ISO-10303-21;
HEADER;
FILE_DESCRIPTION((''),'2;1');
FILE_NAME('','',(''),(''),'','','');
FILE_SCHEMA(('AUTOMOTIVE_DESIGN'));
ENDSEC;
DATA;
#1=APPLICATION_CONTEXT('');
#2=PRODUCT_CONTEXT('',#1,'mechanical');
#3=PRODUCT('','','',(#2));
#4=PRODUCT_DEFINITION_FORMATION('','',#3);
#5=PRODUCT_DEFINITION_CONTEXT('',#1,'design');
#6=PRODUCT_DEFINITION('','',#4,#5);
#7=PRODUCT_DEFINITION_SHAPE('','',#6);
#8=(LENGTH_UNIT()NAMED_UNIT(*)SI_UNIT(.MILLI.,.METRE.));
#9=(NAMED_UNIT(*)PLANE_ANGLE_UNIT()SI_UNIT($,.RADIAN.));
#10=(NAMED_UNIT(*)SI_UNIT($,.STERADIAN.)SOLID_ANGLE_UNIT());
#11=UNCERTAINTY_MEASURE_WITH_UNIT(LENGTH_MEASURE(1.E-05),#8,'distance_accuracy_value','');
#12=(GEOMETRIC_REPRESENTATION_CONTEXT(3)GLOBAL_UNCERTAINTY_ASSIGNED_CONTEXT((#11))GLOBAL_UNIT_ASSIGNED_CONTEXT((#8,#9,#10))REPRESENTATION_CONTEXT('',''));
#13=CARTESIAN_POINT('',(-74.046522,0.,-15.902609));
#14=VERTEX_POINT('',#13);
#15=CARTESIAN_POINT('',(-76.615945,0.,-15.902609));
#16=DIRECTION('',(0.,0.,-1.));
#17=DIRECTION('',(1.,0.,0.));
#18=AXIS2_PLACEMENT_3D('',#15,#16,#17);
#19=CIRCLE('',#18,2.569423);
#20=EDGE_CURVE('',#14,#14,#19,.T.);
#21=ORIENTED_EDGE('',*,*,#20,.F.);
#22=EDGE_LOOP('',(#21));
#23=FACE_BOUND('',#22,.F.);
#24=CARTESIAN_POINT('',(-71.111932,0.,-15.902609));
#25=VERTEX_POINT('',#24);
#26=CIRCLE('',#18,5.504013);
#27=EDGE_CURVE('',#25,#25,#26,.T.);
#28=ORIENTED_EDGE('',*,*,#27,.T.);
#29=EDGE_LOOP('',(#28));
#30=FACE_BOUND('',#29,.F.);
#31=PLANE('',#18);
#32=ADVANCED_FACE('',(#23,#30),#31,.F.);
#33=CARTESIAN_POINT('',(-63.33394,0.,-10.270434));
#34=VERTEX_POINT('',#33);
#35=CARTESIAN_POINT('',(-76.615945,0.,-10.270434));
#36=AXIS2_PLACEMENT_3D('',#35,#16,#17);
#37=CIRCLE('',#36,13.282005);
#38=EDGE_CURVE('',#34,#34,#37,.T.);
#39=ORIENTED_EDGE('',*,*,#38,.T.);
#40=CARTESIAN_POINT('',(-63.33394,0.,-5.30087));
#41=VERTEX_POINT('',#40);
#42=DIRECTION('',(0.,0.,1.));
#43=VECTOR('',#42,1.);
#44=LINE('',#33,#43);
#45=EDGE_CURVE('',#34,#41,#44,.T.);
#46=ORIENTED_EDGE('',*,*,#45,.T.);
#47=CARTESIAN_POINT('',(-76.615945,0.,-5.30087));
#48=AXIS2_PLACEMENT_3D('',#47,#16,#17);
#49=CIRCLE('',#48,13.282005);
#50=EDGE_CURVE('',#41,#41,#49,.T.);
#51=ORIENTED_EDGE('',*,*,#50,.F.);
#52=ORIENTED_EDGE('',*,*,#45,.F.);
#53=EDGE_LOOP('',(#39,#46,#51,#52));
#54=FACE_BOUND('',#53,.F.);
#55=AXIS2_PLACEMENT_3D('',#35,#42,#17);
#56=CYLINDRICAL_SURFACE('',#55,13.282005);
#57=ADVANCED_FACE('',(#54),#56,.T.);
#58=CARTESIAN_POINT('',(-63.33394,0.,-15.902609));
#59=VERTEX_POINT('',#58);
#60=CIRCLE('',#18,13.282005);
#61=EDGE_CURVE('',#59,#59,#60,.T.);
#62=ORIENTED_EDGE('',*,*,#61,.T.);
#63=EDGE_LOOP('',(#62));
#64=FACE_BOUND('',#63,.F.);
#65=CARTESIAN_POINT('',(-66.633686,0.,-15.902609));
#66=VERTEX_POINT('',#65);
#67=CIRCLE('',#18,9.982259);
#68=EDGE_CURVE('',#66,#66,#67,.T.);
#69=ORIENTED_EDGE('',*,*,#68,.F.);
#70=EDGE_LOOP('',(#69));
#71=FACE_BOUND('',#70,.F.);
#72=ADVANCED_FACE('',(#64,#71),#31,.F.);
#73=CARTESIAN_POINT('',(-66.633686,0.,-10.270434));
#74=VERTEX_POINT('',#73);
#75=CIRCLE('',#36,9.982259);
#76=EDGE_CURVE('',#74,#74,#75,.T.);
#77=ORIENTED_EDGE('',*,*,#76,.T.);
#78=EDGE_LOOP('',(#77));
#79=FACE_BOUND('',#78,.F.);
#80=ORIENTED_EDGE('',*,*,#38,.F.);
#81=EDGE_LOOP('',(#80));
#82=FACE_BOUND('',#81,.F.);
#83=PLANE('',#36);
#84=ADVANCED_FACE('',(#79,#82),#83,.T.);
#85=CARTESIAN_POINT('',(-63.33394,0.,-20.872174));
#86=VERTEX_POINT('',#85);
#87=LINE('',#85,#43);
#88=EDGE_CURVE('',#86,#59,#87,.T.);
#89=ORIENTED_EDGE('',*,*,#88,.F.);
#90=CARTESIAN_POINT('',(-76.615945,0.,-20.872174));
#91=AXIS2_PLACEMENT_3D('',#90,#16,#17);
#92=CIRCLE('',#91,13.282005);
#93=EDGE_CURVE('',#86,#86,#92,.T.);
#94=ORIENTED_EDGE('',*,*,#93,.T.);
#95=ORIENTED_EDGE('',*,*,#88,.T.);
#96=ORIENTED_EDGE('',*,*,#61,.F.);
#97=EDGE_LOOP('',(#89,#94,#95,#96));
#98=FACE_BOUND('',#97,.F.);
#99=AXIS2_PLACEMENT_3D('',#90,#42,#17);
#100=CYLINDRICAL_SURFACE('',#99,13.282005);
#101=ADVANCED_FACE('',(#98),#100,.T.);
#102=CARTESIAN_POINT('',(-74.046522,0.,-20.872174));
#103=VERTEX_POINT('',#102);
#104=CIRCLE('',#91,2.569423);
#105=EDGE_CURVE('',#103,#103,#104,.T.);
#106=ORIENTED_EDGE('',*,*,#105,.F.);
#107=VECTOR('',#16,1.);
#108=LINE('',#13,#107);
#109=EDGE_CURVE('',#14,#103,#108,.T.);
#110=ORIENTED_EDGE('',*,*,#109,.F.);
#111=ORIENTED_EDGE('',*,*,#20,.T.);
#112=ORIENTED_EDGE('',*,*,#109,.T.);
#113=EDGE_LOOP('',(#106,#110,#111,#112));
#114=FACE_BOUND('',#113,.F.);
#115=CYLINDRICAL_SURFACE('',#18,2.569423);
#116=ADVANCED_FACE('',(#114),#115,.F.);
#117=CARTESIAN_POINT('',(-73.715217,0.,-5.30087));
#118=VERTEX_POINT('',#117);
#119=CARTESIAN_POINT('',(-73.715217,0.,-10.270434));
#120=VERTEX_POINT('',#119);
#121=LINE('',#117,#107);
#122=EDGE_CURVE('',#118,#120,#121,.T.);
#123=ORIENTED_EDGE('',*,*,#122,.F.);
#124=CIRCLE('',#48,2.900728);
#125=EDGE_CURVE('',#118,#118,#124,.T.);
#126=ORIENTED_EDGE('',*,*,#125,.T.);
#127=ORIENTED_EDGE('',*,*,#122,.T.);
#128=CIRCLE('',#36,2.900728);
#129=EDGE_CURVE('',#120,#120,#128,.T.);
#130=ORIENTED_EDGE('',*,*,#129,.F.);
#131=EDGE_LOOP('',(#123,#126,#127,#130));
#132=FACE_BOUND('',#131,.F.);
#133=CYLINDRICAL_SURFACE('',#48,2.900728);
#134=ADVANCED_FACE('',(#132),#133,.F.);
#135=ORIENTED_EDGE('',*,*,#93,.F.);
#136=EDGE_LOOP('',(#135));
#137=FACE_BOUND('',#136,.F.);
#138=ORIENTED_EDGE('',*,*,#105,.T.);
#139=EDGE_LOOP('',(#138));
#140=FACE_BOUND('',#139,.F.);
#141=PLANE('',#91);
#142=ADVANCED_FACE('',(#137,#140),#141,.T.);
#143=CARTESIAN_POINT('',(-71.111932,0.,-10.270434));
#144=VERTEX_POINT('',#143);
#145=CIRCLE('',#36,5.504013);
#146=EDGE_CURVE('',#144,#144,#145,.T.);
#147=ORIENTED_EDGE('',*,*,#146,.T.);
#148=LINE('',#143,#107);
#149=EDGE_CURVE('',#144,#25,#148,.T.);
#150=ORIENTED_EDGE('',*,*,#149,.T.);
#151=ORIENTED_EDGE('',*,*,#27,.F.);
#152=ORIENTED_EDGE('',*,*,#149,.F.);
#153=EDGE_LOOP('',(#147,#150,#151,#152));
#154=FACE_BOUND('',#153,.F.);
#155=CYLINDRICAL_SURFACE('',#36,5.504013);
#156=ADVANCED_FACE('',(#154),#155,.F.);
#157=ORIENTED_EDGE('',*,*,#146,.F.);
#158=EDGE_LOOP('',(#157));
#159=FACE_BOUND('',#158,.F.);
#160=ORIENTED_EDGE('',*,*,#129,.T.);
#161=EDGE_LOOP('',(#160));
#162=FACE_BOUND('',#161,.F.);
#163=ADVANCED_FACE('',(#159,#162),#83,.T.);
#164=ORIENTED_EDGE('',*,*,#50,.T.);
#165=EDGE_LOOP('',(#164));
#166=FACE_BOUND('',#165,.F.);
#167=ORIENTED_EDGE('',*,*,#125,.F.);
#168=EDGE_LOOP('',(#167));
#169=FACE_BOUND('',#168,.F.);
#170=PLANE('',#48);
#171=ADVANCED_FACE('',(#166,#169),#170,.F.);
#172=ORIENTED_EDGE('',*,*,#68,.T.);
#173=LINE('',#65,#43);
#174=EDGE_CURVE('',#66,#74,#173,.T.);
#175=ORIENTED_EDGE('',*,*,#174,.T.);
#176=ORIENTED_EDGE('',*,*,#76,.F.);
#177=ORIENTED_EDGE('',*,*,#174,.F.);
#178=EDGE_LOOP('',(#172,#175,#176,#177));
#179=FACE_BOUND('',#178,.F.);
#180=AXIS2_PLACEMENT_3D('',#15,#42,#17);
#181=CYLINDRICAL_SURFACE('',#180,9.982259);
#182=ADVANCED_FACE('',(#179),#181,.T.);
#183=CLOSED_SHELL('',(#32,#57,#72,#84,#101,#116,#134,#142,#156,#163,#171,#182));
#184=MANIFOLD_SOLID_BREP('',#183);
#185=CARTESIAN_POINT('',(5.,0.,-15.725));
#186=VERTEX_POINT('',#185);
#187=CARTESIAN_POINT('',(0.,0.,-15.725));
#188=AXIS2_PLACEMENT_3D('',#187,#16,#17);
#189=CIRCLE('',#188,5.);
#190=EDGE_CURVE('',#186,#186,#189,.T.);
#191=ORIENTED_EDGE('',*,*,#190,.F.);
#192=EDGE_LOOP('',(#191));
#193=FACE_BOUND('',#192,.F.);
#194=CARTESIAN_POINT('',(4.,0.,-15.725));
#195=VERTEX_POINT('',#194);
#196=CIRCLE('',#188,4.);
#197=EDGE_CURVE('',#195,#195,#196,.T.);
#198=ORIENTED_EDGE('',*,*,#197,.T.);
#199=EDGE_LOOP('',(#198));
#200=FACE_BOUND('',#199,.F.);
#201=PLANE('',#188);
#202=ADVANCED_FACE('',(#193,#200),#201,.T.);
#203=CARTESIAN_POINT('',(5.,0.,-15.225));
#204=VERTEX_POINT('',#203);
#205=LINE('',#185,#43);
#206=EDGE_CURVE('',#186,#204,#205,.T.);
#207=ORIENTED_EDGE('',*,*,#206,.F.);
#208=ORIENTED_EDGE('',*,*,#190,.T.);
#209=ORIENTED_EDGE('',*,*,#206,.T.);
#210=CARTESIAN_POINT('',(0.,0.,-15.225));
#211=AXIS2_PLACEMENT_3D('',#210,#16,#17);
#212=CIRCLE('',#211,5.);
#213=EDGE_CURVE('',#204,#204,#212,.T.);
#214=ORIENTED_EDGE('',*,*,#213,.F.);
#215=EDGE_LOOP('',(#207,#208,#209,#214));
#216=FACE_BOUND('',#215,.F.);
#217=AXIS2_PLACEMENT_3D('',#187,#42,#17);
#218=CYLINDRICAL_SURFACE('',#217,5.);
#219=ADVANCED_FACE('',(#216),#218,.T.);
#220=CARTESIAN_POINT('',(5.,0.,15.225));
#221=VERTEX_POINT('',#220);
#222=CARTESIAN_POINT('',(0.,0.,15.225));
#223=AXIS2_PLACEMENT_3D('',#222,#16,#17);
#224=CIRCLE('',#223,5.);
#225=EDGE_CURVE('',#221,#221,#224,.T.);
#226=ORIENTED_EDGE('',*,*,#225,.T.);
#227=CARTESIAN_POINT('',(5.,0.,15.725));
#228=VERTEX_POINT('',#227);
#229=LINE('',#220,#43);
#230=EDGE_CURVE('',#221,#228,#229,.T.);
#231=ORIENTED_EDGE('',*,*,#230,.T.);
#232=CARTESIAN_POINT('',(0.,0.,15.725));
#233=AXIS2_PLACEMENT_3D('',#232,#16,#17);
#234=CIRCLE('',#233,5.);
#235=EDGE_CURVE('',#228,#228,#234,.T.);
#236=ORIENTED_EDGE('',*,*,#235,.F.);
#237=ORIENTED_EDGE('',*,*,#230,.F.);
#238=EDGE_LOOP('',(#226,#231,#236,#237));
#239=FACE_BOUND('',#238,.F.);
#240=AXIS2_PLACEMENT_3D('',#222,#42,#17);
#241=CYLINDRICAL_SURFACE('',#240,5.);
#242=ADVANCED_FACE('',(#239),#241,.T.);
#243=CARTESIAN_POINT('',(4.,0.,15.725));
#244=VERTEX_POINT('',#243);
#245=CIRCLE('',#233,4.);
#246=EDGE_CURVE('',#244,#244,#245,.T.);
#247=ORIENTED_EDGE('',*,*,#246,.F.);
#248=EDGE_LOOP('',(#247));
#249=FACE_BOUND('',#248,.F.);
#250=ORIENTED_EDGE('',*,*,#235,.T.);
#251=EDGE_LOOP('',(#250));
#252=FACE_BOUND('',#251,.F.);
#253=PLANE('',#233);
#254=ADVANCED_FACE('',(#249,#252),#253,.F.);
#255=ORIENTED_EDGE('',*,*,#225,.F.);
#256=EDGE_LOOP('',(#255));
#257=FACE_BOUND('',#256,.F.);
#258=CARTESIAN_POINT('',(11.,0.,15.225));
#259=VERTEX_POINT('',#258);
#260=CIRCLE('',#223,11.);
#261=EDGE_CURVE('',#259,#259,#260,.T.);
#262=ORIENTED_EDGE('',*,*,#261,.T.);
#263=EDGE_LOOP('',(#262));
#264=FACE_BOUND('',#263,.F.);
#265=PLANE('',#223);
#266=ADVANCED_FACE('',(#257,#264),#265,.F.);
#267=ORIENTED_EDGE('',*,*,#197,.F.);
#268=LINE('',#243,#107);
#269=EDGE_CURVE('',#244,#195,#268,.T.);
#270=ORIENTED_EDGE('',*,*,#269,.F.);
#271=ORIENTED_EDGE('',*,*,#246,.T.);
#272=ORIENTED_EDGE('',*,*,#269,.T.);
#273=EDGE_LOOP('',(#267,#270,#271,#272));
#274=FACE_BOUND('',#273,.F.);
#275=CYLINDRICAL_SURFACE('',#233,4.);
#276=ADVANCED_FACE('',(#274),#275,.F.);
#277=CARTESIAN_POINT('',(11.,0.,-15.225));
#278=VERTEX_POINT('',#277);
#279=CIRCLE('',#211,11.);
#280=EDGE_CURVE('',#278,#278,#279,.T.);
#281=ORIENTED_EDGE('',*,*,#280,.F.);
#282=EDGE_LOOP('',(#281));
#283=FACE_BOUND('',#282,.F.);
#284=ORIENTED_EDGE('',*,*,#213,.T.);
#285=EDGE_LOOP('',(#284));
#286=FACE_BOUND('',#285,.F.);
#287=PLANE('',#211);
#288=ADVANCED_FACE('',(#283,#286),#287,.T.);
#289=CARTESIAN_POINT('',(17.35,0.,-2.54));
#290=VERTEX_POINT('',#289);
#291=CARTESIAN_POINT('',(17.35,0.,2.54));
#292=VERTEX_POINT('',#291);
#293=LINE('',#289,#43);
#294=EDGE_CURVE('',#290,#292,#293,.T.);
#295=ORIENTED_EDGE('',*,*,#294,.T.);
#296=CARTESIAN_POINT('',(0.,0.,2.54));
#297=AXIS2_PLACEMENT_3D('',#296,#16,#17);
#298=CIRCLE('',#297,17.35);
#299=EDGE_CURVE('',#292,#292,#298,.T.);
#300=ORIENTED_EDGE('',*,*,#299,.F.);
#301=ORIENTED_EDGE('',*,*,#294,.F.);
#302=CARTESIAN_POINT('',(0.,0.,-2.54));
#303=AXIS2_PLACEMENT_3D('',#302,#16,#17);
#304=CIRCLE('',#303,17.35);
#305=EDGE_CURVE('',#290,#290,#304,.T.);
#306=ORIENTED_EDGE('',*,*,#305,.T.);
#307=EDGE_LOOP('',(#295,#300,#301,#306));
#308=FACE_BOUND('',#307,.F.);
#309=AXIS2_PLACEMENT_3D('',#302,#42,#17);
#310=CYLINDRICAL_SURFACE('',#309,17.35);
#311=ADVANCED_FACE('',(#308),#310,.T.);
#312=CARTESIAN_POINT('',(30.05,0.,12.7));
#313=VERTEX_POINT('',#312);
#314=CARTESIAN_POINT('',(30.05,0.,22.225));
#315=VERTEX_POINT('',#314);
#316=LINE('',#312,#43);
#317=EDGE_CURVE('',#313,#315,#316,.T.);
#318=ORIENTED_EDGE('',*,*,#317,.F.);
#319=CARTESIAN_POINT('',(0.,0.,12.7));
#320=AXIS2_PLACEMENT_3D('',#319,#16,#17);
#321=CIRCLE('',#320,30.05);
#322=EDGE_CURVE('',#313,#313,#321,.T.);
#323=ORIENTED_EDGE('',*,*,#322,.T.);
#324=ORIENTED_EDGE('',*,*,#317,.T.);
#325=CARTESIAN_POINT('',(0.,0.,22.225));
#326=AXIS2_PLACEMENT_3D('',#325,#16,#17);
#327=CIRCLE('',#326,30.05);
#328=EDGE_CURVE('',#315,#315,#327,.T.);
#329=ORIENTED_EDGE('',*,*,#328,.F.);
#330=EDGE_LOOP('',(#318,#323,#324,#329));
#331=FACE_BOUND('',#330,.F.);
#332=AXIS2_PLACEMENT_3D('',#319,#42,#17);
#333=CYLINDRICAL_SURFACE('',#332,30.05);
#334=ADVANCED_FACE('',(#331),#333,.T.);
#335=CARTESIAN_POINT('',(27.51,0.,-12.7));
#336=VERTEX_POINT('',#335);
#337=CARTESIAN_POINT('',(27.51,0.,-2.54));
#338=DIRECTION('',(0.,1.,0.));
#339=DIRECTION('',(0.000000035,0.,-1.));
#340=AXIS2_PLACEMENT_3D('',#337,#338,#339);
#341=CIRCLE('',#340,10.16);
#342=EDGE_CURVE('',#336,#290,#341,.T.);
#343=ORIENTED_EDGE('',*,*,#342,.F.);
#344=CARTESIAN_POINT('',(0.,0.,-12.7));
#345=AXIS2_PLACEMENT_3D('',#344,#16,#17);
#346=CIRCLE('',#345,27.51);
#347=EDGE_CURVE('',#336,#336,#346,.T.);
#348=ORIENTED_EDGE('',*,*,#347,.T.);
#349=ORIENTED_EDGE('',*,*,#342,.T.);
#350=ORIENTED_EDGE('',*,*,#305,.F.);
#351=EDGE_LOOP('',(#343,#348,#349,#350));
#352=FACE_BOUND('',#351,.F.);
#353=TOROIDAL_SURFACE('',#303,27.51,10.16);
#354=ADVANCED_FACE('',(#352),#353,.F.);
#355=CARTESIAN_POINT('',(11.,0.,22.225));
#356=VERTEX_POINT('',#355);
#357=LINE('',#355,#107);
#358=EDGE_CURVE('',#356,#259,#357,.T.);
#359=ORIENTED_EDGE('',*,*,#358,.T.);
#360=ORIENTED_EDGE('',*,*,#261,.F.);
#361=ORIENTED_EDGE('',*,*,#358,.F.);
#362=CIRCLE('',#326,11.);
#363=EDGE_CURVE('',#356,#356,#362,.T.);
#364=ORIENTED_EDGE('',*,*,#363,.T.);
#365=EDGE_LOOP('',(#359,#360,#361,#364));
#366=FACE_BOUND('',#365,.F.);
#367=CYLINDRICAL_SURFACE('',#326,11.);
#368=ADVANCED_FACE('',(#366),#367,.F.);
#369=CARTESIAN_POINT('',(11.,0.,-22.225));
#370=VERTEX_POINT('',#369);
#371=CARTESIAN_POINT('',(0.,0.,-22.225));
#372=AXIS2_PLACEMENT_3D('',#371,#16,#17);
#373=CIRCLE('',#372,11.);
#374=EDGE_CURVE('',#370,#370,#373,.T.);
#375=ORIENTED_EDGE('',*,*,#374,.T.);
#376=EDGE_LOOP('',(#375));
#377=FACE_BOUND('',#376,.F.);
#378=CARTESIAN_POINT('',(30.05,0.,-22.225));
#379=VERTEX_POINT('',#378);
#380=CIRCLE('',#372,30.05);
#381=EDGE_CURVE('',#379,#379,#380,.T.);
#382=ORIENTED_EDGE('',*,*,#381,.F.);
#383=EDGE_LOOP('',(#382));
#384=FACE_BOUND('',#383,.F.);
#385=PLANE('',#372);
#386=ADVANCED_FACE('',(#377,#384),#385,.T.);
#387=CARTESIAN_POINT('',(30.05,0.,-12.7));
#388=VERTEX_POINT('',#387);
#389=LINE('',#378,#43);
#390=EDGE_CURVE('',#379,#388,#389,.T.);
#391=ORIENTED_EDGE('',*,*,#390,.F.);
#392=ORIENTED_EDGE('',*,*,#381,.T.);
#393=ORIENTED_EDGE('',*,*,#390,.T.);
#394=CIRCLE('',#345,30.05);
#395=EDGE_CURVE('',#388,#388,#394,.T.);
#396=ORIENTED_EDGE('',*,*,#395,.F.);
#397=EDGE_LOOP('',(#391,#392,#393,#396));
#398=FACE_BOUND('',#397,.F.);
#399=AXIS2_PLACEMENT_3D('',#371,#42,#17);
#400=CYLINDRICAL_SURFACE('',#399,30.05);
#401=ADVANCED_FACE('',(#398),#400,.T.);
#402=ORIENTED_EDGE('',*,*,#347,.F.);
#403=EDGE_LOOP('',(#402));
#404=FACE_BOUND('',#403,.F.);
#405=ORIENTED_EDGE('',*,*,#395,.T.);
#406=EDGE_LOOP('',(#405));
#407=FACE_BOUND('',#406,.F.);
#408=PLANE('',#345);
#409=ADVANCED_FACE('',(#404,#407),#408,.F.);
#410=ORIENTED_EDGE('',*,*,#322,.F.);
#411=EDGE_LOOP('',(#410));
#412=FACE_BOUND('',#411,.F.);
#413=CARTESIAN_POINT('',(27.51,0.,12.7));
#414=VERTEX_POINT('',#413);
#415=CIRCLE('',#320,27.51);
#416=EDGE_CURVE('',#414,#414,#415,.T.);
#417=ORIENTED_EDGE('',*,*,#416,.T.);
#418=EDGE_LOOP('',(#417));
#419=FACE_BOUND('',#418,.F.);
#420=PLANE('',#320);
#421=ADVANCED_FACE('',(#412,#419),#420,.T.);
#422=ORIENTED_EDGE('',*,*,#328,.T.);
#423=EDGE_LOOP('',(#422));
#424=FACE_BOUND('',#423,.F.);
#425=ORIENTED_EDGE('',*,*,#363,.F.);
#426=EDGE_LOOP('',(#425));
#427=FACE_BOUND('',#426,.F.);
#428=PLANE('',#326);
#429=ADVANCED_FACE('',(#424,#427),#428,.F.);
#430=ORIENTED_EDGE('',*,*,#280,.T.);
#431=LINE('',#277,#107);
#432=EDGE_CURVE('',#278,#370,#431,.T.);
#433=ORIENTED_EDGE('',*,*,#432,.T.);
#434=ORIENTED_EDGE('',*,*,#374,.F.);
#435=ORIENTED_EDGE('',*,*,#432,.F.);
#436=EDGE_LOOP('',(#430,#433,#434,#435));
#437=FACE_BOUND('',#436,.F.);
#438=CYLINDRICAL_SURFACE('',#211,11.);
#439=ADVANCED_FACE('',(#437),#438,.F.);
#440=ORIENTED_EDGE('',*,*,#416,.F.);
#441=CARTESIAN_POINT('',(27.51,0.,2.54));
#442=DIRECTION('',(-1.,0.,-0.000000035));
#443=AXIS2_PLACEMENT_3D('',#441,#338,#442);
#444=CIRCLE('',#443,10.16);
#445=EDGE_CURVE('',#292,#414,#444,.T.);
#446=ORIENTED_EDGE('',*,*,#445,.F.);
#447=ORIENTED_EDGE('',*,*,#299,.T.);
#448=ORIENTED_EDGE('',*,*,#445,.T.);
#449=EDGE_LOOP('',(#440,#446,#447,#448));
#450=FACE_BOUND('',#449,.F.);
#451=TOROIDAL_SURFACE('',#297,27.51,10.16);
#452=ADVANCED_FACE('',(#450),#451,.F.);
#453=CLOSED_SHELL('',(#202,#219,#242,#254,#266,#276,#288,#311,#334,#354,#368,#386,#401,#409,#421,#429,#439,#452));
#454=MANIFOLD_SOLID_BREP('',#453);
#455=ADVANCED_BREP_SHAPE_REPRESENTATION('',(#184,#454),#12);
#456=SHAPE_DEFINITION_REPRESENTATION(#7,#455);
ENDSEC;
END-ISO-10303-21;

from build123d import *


with BuildPart() as f1:
    # F0 (on Front) → F1 (revolve)
    with BuildSketch(Plane.XZ):
        with BuildLine():
            Line((4, 0), (17.35, 0))
            Line((17.35, 0), (17.35, 2.54))
            ThreePointArc((17.35, 2.54), (20.325795, 9.724205), (27.51, 12.7))
            Line((27.51, 12.7), (30.05, 12.7))
            Line((30.05, 12.7), (30.05, 22.225))
            Line((30.05, 22.225), (17.35, 22.225))
            Line((17.35, 22.225), (11, 22.225))
            Line((11, 22.225), (11, 15.225))
            Line((11, 15.225), (5, 15.225))
            Line((5, 15.225), (5, 15.725))
            Line((5, 15.725), (4, 15.725))
            Line((4, 15.725), (4, 0))
        make_face()
        with BuildLine():
            Line((17.35, -2.54), (17.35, 0))
            Line((17.35, 0), (4, 0))
            Line((4, 0), (4, -15.725))
            Line((4, -15.725), (5, -15.725))
            Line((5, -15.725), (5, -15.225))
            Line((5, -15.225), (11, -15.225))
            Line((11, -15.225), (11, -22.225))
            Line((11, -22.225), (17.35, -22.225))
            Line((17.35, -22.225), (30.05, -22.225))
            Line((30.05, -22.225), (30.05, -12.7))
            Line((30.05, -12.7), (27.51, -12.7))
            ThreePointArc((27.51, -12.7), (20.325795, -9.724205), (17.35, -2.54))
        make_face()
    revolve(axis=Axis((0, 0, 10.264005), (0, 0, -1)))


with BuildPart() as f3:
    # F2 (on Front) → F3 (revolve)
    with BuildSketch(Plane.XZ):
        Polygon((-71.111932, -10.270434), (-71.111932, -15.902609), (-74.046522, -15.902609), (-74.046522, -20.872174), (-63.33394, -20.872174), (-63.33394, -15.902609), (-66.633686, -15.902609), (-66.633686, -10.270434), (-63.33394, -10.270434), (-63.33394, -5.30087), (-73.715217, -5.30087), (-73.715217, -10.270434), align=None)
    revolve(axis=Axis((-76.615945, 0, -15.571305), (0, 0, -1)))


solid = Compound([f1.part, f3.part])
